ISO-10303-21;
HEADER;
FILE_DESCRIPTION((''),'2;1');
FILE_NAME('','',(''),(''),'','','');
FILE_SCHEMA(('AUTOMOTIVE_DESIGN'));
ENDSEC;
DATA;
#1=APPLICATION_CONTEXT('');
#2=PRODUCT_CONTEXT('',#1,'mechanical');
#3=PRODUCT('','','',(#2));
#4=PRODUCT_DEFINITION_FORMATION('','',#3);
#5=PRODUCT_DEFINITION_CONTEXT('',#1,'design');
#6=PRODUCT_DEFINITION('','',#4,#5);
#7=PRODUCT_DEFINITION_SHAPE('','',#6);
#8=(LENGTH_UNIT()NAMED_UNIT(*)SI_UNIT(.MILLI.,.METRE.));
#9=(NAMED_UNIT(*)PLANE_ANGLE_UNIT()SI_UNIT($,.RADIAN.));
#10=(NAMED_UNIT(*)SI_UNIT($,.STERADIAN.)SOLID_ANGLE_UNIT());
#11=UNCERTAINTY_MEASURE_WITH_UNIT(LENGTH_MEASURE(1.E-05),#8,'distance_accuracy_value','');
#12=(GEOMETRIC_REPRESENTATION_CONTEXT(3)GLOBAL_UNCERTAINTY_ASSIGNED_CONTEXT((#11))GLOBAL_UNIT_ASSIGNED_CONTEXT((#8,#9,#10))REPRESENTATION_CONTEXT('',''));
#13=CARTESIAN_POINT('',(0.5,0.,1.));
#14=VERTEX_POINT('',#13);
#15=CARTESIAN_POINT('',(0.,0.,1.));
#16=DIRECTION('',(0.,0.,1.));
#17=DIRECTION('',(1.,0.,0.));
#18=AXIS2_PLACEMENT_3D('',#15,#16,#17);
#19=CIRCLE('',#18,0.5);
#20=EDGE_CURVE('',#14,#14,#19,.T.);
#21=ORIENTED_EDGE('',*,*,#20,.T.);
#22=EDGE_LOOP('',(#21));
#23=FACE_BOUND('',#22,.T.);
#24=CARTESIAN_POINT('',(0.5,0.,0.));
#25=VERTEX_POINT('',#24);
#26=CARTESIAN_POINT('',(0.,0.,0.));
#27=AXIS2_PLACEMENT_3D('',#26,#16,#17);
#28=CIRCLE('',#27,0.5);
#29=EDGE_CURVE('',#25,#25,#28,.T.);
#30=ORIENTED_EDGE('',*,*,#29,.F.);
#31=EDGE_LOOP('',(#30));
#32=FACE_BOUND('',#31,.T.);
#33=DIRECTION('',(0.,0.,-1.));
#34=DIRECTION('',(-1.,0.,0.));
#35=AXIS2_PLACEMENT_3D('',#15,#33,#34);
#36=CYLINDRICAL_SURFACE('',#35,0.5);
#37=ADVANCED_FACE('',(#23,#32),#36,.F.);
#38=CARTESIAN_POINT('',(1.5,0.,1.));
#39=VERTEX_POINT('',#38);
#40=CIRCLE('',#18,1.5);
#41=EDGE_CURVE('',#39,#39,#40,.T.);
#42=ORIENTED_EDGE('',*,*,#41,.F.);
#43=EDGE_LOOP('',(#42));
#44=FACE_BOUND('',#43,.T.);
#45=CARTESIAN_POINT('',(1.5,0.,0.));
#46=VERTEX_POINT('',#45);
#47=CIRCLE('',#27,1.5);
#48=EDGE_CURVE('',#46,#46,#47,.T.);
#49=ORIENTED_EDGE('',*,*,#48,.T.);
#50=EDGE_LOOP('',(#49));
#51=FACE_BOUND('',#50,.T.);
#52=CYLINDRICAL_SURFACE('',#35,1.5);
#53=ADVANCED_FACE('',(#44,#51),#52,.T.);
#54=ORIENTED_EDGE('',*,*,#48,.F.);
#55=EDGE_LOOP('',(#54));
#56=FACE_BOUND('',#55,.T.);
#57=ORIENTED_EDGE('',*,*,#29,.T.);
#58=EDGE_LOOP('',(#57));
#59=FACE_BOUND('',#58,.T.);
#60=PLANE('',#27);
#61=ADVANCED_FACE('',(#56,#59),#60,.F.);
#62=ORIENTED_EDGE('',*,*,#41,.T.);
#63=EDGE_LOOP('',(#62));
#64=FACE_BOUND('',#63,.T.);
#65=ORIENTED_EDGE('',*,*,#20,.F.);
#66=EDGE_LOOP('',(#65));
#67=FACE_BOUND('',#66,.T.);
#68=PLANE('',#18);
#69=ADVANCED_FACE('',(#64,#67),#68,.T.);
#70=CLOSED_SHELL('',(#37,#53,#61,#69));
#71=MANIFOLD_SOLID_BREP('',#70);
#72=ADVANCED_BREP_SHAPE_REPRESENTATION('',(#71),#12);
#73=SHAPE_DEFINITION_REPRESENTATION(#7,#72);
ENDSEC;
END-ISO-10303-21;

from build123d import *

# Parameters (mm, degrees)
BEARINGSKE_R   = 1.5
BEARINGSKE_R_2 = 0.5
BEARING_DEPTH  = 1


with BuildPart() as part:
    # BearingSke → Bearing (new body)
    with BuildSketch(Plane.XY):
        Circle(BEARINGSKE_R)
        Circle(BEARINGSKE_R_2, mode=Mode.SUBTRACT)
    extrude(amount=BEARING_DEPTH)


solid = part.part
